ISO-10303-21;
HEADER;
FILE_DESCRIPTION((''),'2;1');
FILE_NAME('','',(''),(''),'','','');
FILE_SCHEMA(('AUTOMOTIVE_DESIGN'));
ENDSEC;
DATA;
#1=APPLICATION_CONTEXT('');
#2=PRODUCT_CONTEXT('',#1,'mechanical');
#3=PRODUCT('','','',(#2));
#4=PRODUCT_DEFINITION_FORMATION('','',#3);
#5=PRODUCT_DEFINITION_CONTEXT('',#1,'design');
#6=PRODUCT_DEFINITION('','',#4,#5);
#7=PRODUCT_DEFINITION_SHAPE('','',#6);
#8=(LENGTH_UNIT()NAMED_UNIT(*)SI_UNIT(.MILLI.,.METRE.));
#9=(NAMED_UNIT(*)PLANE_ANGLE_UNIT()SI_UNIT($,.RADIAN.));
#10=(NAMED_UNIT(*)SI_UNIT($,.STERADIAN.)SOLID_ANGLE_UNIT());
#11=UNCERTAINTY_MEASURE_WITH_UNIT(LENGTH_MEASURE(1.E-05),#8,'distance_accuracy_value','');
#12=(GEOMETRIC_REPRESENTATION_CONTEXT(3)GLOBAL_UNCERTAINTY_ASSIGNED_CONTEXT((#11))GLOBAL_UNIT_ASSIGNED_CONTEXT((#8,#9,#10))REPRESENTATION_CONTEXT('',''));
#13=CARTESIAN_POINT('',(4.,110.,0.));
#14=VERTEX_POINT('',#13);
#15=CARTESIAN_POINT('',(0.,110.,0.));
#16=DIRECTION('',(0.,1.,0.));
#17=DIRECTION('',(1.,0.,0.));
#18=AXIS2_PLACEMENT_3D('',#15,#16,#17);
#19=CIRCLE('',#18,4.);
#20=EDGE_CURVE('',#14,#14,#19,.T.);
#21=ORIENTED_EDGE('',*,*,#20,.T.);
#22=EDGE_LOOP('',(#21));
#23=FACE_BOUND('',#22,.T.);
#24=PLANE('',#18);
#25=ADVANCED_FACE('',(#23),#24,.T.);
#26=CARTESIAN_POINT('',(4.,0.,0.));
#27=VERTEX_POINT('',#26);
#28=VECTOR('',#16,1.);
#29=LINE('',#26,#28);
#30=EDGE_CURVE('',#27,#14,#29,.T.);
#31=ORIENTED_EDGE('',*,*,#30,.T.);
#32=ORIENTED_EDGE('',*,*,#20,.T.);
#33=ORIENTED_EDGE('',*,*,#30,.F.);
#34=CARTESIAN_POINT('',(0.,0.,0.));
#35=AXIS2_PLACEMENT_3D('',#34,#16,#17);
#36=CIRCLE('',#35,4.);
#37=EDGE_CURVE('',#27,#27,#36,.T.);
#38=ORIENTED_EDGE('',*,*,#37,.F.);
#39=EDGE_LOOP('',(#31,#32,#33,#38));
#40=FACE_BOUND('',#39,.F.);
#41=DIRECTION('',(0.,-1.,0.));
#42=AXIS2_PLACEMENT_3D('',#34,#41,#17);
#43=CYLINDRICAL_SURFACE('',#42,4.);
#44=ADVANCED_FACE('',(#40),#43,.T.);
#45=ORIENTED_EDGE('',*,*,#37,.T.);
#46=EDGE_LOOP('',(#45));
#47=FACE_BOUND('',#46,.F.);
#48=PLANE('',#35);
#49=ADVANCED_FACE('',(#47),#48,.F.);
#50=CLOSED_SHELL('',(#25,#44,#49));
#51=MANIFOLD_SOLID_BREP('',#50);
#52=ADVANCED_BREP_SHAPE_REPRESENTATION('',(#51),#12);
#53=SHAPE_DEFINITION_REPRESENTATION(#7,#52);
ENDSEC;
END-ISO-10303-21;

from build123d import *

# Parameters (mm, degrees)
ESBO_O1_R                = 4
RESSALTO_EXTRUS_O1_DEPTH = 110


with BuildPart() as part:
    # Esboço1 → Ressalto-extrusão1 (new body)
    with BuildSketch(Plane(origin=(0, 0, 0), x_dir=(1, 0, 0), z_dir=(0, 1, 0))):
        Circle(ESBO_O1_R)
    extrude(amount=RESSALTO_EXTRUS_O1_DEPTH)


solid = part.part
